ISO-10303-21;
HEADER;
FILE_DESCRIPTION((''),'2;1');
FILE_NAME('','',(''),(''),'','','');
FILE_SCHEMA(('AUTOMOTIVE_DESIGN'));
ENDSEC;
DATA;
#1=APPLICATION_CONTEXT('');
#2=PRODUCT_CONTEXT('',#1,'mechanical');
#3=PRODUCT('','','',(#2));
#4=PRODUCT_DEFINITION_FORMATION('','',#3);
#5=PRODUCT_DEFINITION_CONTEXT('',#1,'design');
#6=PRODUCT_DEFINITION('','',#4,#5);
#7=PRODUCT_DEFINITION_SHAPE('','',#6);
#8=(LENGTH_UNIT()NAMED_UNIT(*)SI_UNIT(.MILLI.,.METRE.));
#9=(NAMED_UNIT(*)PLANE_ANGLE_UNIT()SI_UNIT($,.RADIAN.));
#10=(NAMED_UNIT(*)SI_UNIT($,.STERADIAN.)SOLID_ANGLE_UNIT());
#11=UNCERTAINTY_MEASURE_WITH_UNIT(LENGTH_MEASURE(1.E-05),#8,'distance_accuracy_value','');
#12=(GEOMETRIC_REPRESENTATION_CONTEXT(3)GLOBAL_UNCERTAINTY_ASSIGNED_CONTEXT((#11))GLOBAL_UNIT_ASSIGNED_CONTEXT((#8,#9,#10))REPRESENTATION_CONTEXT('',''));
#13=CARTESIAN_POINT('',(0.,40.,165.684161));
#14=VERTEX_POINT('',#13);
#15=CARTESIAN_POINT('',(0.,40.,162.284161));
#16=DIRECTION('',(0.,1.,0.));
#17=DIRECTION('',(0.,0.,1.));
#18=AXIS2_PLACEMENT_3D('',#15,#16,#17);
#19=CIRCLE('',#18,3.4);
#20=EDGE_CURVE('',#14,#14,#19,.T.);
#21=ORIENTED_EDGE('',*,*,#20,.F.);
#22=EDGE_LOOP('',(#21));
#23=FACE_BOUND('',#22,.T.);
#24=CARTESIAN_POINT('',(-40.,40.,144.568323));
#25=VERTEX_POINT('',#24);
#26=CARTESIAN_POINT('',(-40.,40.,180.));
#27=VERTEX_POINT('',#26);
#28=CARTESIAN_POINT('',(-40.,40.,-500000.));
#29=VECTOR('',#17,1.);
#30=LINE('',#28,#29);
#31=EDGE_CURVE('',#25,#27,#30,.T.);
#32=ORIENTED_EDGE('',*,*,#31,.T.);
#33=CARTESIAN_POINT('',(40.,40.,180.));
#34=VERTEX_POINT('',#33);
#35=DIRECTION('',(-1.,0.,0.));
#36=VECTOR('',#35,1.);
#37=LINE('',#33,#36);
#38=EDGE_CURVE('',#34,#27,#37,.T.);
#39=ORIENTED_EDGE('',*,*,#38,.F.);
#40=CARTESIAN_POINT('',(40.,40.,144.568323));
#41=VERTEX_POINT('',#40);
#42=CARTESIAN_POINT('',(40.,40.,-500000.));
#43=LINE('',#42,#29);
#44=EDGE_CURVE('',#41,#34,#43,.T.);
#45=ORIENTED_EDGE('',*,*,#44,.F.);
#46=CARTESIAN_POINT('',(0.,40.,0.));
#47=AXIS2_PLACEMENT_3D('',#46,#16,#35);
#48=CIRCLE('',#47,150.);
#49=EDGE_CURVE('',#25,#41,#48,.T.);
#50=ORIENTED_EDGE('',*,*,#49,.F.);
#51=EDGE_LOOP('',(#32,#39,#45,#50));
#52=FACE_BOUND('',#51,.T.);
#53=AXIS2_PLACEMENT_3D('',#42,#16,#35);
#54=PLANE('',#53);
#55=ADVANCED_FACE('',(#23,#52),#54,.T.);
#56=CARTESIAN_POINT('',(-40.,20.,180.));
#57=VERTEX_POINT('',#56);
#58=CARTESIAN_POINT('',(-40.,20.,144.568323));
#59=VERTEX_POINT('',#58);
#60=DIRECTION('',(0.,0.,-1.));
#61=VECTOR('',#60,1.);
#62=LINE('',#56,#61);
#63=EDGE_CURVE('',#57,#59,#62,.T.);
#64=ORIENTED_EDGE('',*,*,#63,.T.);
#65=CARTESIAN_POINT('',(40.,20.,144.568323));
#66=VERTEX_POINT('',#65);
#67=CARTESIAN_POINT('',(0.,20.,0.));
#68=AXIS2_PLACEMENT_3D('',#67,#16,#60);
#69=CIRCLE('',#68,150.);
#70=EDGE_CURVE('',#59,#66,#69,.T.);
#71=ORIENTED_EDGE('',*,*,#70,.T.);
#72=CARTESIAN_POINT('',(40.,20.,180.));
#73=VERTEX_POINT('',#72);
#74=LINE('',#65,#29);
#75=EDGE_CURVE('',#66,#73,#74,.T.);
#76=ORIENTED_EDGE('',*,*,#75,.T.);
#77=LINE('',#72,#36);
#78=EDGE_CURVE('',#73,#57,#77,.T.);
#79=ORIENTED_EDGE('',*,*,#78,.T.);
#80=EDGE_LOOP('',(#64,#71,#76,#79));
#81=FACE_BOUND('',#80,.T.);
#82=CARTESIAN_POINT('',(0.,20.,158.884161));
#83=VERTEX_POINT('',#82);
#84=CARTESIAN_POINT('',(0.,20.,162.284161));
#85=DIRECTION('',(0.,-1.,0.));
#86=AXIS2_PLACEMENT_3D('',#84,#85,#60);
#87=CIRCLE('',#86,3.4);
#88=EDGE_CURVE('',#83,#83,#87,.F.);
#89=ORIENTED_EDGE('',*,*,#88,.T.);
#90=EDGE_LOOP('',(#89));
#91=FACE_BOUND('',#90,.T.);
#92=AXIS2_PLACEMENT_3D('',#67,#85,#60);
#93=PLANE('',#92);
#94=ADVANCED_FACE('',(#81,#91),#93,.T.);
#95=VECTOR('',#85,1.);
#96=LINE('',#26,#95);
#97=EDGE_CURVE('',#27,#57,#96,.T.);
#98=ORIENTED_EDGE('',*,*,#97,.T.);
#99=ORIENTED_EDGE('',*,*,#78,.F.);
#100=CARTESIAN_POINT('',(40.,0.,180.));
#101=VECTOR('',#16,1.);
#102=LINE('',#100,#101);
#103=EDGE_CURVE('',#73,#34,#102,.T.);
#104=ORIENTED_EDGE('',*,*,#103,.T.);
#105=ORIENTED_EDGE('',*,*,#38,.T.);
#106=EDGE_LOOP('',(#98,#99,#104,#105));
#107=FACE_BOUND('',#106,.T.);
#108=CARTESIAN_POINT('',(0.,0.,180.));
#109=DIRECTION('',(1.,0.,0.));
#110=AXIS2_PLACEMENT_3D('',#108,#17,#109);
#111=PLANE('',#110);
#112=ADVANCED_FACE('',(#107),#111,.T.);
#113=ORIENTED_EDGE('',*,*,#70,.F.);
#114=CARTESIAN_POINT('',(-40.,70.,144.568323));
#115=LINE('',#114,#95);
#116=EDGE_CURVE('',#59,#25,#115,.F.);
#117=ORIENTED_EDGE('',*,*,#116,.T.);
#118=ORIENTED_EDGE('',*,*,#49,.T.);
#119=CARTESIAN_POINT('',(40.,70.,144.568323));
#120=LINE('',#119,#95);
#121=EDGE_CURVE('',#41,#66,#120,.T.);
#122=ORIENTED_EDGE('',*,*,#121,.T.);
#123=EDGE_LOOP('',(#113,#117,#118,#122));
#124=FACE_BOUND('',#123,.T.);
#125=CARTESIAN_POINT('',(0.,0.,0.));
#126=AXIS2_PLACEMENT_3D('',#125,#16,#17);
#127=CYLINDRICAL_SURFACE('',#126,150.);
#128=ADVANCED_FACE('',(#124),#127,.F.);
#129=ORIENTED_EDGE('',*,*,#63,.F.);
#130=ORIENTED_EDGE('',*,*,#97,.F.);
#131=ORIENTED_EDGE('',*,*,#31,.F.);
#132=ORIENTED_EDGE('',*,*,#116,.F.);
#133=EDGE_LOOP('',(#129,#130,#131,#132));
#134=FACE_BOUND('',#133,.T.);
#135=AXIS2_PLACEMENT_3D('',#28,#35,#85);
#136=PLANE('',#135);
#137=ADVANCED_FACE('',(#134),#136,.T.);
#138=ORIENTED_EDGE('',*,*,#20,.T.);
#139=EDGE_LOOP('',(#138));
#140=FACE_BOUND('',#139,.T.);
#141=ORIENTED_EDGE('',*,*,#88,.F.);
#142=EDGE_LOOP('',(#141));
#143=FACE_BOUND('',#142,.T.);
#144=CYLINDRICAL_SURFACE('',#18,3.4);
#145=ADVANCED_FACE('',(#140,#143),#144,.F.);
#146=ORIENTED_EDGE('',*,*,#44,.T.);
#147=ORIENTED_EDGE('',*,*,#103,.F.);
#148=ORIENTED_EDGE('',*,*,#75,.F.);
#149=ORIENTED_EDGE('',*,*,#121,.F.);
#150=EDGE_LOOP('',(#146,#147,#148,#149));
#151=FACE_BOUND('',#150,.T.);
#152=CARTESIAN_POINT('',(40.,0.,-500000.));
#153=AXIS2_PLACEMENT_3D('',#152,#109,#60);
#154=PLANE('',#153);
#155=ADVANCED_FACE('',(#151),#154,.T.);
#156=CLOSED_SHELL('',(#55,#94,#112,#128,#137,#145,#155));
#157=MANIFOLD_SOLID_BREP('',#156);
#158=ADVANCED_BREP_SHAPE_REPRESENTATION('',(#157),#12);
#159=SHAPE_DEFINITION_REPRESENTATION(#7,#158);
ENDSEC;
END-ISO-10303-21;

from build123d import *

# Parameters (mm, degrees)
IZIM1_W                          = 150
IZIM1_H                          = 70
Y_KSEKLIK_EKSTR_ZYON1_REACH      = 371.188
Y_KSEKLIK_EKSTR_ZYON1_END_RADIUS = 150
IZIM2_W                          = 79.999999942
IZIM2_H                          = 40
DELIK1_D                         = 260
F_6_8_6_8_AP_DELIK1_D            = 6.8
F_6_8_6_8_AP_DELIK1_DEPTH        = 40
IZIM10_R                         = 150
IZIM10_R_2                       = 130
KES_EKSTR_ZYON2_DEPTH            = 70
KES_EKSTR_ZYON3_START            = -20
KES_EKSTR_ZYON3_DEPTH            = 20


with BuildPart() as part:
    # Çizim1 → Döndür1 (revolve)
    with BuildSketch(Plane.XY, mode=Mode.PRIVATE) as d_nd_r1_sk:
        with Locations((75, 35)):
            Rectangle(IZIM1_W, IZIM1_H)
    revolve(d_nd_r1_sk.sketch.rotate(Axis((0, 70, 0), (0, -1, 0)), 270), axis=Axis((0, 70, 0), (0, -1, 0)))

    # Yükseklik-Ekstrüzyon1: up to this cylinder (the profile starts outside it)
    y_kseklik_ekstr_zyon1_end = Plane(origin=(0, 20, 0), z_dir=(0, -1, 0)) * Cylinder(Y_KSEKLIK_EKSTR_ZYON1_END_RADIUS, 1043.376, mode=Mode.PRIVATE)
    # Çizim2 → Yükseklik-Ekstrüzyon1 (add, up to the surface)
    with BuildSketch(Plane.XY.offset(180), mode=Mode.PRIVATE) as y_kseklik_ekstr_zyon1_sk1:
        with Locations((1e-08, 20)):
            Rectangle(IZIM2_W, IZIM2_H)
    y_kseklik_ekstr_zyon1_tool1 = extrude(y_kseklik_ekstr_zyon1_sk1.sketch, amount=-Y_KSEKLIK_EKSTR_ZYON1_REACH, mode=Mode.PRIVATE) - y_kseklik_ekstr_zyon1_end
    add(y_kseklik_ekstr_zyon1_tool1.solids().sort_by_distance((0, 20, 180))[0])

    # Delik1 (through all)
    with Locations(Plane(origin=(0, 70, 0), x_dir=(1, 0, 0), z_dir=(0, 1, 0))):
        with Locations((0, 0)):
            Hole(DELIK1_D / 2)

    # Ø6.8 (6.8) Çap Delik1
    with Locations(Plane(origin=(0, 40, 0), x_dir=(1, 0, 0), z_dir=(0, 1, 0))):
        with Locations((0, -162.284161474), (0, 162.284161474)):
            Hole(F_6_8_6_8_AP_DELIK1_D / 2, depth=F_6_8_6_8_AP_DELIK1_DEPTH)

    # Çizim10 → Kes-Ekstrüzyon2 (cut)
    with BuildSketch(Plane(origin=(0, 70, 0), x_dir=(1, 0, 0), z_dir=(0, 1, 0))):
        Circle(IZIM10_R)
        Circle(IZIM10_R_2, mode=Mode.SUBTRACT)
    extrude(amount=-KES_EKSTR_ZYON2_DEPTH, mode=Mode.SUBTRACT)

    # Çizim11 → Kes-Ekstrüzyon3 (cut)
    with BuildSketch(Plane.XZ.offset(KES_EKSTR_ZYON3_START)):
        with BuildLine():
            Line((39.999999981, 144.568322953), (39.999999981, 180))
            Line((39.999999981, 180), (-39.999999961, 180))
            Line((-39.999999961, 180), (-39.999999961, 144.568322959))
            ThreePointArc((-39.999999961, 144.568322959), (1e-08, 150), (39.999999981, 144.568322953))
        make_face()
    extrude(amount=KES_EKSTR_ZYON3_DEPTH, mode=Mode.SUBTRACT)


solid = part.part
